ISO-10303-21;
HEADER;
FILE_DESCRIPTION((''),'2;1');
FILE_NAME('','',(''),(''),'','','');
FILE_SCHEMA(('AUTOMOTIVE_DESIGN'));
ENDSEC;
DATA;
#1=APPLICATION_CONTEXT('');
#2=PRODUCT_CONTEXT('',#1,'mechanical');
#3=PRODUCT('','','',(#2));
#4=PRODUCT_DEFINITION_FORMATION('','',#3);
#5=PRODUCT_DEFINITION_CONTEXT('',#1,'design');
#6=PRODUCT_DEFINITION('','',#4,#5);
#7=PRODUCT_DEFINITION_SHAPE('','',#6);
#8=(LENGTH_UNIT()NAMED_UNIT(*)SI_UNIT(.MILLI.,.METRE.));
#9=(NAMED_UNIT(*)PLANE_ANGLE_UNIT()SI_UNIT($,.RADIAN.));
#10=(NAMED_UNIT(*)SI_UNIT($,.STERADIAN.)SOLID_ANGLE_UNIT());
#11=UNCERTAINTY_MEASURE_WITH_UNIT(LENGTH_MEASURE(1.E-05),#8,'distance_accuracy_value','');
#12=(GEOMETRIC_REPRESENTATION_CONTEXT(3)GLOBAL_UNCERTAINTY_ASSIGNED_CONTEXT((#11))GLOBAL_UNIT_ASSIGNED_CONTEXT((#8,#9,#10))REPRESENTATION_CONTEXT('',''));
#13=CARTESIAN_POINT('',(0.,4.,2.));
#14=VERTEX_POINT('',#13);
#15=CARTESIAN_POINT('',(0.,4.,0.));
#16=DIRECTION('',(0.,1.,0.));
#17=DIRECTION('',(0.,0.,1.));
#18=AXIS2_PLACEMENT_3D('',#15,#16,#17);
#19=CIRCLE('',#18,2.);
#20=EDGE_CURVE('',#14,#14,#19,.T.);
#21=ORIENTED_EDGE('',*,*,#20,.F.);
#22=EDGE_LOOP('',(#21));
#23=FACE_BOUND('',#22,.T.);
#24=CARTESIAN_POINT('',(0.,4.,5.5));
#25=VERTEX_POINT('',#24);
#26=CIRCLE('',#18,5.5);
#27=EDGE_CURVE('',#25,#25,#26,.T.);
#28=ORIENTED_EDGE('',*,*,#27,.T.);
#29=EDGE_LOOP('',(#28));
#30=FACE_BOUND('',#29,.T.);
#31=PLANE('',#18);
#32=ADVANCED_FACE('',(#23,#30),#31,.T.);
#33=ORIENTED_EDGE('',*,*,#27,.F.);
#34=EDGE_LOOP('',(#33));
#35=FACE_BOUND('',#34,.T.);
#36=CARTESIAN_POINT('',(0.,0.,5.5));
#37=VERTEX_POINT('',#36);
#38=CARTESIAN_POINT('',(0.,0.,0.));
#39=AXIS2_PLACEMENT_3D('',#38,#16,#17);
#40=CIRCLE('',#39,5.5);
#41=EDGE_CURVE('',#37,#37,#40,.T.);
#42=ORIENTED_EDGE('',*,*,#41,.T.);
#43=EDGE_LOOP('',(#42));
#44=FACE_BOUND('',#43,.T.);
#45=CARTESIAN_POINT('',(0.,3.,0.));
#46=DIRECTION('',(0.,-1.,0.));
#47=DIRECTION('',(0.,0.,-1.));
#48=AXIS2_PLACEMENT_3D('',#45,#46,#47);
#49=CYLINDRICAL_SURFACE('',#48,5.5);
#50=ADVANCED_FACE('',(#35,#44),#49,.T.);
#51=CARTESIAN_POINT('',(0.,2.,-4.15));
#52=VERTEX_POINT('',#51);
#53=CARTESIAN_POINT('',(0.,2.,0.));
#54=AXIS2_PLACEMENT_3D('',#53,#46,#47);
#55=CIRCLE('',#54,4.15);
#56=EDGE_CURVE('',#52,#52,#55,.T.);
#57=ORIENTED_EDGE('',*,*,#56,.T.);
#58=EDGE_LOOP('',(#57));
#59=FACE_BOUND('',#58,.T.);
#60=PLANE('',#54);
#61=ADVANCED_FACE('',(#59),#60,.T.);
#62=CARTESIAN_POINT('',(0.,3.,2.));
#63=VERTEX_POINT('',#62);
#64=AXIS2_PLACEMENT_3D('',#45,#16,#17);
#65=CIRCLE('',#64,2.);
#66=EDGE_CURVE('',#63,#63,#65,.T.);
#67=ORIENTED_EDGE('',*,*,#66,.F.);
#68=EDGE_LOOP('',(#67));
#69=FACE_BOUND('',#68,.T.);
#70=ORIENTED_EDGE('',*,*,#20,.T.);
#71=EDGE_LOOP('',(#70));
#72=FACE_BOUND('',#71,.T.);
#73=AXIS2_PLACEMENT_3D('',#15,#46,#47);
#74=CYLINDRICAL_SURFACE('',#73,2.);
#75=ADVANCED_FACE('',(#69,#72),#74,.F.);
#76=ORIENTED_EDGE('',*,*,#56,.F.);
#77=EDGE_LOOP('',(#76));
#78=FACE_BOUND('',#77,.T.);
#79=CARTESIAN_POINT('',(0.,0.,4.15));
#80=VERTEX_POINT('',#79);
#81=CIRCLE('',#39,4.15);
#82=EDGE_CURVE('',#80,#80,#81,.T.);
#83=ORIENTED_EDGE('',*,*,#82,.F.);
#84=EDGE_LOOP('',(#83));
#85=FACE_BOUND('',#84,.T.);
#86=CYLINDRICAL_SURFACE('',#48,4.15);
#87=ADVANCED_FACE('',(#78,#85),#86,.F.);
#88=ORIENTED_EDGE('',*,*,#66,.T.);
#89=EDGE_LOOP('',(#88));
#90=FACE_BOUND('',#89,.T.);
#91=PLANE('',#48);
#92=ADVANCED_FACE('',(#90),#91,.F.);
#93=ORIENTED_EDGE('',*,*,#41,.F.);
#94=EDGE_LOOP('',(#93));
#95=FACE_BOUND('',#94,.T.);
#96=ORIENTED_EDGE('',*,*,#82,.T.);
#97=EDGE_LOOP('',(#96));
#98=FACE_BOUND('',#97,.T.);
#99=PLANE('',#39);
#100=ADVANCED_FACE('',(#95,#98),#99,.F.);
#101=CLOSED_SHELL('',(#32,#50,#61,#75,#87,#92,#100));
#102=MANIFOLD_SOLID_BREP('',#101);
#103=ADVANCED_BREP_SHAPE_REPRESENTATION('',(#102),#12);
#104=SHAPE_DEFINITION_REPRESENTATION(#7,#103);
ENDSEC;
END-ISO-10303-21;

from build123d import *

# Parameters (mm, degrees)
SKETCH1_R           = 5.5
SKETCH1_R_2         = 4.15
BOSS_EXTRUDE1_DEPTH = 3
SKETCH2_R           = 5.5
SKETCH2_R_2         = 2
BOSS_EXTRUDE2_DEPTH = 1
BOSS_EXTRUDE3_START = 1
SKETCH3_R           = 4.15
BOSS_EXTRUDE3_DEPTH = 1


with BuildPart() as part:
    # Sketch1 → Boss-Extrude1 (new body)
    with BuildSketch(Plane(origin=(0, 0, 0), x_dir=(1, 0, 0), z_dir=(0, 1, 0))):
        with Locations(Location((0, 0, 0), (0, 0, 270))):
            Circle(SKETCH1_R)
        with Locations(Location((0, 0, 0), (0, 0, 270))):
            Circle(SKETCH1_R_2, mode=Mode.SUBTRACT)
    extrude(amount=BOSS_EXTRUDE1_DEPTH)

    # Sketch2 → Boss-Extrude2 (add)
    with BuildSketch(Plane(origin=(0, 3, 0), x_dir=(1, 0, 0), z_dir=(0, 1, 0))):
        with Locations(Location((0, 0, 0), (0, 0, 270))):
            Circle(SKETCH2_R)
        with Locations(Location((0, 0, 0), (0, 0, 270))):
            Circle(SKETCH2_R_2, mode=Mode.SUBTRACT)
    extrude(amount=BOSS_EXTRUDE2_DEPTH)

    # Sketch3 → Boss-Extrude3 (add)
    with BuildSketch(Plane.XZ.offset(-3).offset(BOSS_EXTRUDE3_START)):
        with Locations(Location((0, 0, 0), (0, 0, 270))):
            Circle(SKETCH3_R)
    extrude(amount=-BOSS_EXTRUDE3_DEPTH)


solid = part.part
